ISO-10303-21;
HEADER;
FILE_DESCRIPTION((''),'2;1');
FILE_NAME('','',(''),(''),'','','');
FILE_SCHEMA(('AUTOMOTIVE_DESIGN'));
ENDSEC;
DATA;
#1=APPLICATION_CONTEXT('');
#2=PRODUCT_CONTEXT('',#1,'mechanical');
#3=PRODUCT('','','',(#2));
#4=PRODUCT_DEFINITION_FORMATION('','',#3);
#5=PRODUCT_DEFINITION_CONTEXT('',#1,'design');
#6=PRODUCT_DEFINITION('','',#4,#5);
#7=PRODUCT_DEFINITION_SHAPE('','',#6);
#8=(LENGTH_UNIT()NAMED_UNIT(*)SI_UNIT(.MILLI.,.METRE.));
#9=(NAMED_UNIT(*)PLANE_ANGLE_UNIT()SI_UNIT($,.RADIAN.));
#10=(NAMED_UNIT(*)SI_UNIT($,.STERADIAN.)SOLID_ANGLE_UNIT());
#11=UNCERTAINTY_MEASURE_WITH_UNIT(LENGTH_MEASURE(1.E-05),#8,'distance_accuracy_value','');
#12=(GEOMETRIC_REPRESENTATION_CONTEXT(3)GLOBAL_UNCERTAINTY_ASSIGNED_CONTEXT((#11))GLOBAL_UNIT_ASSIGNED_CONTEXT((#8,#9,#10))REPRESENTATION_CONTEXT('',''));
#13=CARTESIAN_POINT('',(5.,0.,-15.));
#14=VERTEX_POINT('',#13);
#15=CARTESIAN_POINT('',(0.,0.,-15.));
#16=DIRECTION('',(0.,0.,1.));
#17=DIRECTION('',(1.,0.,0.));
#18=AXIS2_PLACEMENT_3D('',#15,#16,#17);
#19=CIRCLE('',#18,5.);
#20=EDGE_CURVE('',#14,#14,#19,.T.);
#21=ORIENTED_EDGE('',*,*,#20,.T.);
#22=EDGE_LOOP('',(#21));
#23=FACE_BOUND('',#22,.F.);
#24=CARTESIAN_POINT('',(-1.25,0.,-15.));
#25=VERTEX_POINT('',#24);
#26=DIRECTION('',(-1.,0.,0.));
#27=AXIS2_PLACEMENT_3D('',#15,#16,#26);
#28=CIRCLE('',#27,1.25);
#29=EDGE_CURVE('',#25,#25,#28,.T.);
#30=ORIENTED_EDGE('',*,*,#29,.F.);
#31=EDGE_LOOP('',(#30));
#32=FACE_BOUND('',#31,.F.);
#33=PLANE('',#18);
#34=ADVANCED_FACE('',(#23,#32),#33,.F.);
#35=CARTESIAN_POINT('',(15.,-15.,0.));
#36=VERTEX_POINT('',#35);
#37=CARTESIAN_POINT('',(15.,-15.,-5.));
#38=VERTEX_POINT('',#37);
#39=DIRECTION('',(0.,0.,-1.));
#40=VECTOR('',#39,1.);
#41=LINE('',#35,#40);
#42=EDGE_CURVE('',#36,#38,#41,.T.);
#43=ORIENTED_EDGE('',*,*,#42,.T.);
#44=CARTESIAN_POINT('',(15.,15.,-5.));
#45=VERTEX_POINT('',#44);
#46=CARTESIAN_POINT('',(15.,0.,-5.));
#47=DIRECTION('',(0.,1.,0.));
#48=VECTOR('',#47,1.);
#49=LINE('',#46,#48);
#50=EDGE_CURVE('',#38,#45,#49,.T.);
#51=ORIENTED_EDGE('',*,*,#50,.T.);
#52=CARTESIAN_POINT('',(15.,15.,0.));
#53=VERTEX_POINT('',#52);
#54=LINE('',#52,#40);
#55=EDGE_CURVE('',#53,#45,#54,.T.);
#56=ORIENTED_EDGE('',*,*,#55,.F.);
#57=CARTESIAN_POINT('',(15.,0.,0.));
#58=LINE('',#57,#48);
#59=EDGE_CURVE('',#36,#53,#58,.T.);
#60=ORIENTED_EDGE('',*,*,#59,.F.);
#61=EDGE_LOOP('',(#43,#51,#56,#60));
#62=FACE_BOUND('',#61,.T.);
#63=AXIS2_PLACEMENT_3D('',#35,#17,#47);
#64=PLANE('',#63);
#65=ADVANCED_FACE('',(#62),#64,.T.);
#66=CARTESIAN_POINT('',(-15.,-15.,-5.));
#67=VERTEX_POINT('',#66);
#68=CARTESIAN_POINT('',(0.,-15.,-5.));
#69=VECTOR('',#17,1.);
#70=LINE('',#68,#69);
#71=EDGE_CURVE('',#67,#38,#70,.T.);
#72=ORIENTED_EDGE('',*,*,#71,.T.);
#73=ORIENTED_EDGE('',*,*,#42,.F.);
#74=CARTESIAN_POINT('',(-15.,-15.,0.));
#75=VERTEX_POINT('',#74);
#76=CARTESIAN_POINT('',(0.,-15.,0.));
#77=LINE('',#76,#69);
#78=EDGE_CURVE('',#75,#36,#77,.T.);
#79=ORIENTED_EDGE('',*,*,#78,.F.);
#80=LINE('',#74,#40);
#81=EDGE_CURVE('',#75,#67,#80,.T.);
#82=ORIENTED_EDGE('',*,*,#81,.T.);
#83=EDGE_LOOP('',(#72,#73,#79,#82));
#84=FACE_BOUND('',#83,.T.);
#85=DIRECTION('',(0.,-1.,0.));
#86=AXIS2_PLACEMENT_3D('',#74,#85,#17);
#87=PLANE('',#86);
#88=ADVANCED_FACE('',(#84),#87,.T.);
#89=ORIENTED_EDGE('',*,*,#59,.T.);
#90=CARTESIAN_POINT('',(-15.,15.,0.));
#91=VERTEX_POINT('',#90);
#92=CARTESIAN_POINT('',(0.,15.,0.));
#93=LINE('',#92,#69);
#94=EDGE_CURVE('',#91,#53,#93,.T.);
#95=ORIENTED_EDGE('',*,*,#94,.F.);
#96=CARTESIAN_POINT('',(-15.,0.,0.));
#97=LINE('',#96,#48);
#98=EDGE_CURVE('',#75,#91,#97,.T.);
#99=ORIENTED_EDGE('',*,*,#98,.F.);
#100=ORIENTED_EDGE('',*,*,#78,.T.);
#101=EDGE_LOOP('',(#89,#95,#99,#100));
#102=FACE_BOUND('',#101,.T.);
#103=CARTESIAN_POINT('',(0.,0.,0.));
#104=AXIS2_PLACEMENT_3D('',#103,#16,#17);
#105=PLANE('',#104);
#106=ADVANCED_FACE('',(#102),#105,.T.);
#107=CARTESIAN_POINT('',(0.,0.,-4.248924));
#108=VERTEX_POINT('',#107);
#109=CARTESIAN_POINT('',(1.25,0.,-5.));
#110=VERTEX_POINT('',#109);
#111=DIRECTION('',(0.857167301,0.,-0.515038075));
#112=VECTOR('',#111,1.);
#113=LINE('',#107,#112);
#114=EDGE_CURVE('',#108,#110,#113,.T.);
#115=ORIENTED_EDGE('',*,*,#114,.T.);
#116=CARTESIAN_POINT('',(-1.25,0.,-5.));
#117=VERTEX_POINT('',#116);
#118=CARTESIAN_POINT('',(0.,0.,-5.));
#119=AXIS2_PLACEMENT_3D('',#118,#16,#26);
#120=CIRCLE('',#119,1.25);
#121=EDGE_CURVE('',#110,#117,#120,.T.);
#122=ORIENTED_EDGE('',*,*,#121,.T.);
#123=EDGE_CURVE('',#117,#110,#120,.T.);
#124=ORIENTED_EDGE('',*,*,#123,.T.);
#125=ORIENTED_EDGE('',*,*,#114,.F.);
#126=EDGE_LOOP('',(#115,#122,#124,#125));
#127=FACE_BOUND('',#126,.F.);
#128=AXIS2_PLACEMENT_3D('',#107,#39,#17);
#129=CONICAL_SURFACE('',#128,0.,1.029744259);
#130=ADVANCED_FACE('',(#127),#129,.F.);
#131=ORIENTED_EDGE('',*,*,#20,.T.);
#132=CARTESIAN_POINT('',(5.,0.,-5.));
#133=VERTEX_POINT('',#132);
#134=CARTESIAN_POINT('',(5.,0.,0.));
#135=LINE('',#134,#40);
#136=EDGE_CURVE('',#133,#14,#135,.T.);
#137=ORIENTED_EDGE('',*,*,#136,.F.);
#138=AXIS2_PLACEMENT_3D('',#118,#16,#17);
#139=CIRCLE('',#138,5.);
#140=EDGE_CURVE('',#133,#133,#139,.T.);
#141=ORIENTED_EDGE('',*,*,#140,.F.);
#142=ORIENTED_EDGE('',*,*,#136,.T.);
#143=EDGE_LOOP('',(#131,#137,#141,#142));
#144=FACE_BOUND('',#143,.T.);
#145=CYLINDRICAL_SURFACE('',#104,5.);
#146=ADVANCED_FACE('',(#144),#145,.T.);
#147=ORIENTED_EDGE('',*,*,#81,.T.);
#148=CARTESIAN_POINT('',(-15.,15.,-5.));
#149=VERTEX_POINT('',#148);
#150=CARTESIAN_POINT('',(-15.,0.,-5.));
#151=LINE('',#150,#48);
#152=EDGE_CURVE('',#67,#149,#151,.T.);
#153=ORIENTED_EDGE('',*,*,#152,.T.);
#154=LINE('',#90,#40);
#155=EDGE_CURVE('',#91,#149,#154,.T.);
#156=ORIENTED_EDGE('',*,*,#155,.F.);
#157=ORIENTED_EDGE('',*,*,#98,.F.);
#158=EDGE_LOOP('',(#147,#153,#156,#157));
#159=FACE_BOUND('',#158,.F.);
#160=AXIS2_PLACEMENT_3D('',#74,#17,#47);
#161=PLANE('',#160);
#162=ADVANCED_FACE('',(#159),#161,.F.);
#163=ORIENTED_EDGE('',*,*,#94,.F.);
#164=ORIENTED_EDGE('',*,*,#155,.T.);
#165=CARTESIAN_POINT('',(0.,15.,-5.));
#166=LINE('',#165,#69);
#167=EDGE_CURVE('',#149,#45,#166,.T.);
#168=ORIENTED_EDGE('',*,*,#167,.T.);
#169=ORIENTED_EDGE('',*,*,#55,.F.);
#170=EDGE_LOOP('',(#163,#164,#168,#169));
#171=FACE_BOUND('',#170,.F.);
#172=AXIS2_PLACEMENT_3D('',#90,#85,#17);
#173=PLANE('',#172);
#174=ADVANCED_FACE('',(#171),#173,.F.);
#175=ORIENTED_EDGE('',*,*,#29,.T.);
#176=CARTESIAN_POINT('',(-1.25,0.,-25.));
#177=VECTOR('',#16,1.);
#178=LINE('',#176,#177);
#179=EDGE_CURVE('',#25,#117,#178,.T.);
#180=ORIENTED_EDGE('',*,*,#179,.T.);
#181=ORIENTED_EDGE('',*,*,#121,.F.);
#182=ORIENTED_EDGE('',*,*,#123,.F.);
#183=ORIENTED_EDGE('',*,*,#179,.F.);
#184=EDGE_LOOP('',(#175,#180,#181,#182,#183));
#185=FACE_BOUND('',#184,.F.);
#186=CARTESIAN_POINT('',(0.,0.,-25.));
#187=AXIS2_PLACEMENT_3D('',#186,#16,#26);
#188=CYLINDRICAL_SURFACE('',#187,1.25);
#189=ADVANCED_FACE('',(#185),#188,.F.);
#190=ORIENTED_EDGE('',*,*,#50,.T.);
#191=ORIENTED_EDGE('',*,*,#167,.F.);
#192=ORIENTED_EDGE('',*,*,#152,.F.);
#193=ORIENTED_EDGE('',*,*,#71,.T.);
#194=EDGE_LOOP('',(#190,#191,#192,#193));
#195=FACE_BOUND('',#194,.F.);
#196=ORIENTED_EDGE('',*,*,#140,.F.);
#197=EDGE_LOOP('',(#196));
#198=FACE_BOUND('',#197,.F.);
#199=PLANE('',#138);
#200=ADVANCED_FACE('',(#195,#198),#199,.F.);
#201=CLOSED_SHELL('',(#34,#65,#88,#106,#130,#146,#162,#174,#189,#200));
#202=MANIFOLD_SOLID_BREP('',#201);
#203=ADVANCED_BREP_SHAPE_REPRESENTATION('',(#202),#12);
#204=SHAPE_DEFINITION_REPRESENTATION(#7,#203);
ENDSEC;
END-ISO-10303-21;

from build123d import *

# Parameters (mm, degrees)
F0_R     = 5
F1_DEPTH = 15
F0_W     = 30
F0_H     = 30
F2_DEPTH = 5
F4_D     = 2.5
F4_DEPTH = 10
F4_TIP   = 0.7510757738


with BuildPart() as f1:
    # F0 (on Top) → F1 (new body)
    with BuildSketch(Plane.XY):
        Circle(F0_R)
    extrude(amount=-F1_DEPTH)

    # F0 (on Top) → F2 (join)
    with BuildSketch(Plane.XY):
        Rectangle(F0_W, F0_H)
        Circle(F0_R, mode=Mode.SUBTRACT)
    extrude(amount=-F2_DEPTH)

    # F4
    with Locations(Plane(origin=(0, 0, -15), x_dir=(1, 0, 0), z_dir=(0, 0, -1))):
        with Locations((0, 0)):
            Hole(F4_D / 2, depth=F4_DEPTH)
            with Locations((0, 0, -(F4_DEPTH + F4_TIP / 2))):  # 118° drill point
                Cone(0, F4_D / 2, F4_TIP, mode=Mode.SUBTRACT)


solid = f1.part
